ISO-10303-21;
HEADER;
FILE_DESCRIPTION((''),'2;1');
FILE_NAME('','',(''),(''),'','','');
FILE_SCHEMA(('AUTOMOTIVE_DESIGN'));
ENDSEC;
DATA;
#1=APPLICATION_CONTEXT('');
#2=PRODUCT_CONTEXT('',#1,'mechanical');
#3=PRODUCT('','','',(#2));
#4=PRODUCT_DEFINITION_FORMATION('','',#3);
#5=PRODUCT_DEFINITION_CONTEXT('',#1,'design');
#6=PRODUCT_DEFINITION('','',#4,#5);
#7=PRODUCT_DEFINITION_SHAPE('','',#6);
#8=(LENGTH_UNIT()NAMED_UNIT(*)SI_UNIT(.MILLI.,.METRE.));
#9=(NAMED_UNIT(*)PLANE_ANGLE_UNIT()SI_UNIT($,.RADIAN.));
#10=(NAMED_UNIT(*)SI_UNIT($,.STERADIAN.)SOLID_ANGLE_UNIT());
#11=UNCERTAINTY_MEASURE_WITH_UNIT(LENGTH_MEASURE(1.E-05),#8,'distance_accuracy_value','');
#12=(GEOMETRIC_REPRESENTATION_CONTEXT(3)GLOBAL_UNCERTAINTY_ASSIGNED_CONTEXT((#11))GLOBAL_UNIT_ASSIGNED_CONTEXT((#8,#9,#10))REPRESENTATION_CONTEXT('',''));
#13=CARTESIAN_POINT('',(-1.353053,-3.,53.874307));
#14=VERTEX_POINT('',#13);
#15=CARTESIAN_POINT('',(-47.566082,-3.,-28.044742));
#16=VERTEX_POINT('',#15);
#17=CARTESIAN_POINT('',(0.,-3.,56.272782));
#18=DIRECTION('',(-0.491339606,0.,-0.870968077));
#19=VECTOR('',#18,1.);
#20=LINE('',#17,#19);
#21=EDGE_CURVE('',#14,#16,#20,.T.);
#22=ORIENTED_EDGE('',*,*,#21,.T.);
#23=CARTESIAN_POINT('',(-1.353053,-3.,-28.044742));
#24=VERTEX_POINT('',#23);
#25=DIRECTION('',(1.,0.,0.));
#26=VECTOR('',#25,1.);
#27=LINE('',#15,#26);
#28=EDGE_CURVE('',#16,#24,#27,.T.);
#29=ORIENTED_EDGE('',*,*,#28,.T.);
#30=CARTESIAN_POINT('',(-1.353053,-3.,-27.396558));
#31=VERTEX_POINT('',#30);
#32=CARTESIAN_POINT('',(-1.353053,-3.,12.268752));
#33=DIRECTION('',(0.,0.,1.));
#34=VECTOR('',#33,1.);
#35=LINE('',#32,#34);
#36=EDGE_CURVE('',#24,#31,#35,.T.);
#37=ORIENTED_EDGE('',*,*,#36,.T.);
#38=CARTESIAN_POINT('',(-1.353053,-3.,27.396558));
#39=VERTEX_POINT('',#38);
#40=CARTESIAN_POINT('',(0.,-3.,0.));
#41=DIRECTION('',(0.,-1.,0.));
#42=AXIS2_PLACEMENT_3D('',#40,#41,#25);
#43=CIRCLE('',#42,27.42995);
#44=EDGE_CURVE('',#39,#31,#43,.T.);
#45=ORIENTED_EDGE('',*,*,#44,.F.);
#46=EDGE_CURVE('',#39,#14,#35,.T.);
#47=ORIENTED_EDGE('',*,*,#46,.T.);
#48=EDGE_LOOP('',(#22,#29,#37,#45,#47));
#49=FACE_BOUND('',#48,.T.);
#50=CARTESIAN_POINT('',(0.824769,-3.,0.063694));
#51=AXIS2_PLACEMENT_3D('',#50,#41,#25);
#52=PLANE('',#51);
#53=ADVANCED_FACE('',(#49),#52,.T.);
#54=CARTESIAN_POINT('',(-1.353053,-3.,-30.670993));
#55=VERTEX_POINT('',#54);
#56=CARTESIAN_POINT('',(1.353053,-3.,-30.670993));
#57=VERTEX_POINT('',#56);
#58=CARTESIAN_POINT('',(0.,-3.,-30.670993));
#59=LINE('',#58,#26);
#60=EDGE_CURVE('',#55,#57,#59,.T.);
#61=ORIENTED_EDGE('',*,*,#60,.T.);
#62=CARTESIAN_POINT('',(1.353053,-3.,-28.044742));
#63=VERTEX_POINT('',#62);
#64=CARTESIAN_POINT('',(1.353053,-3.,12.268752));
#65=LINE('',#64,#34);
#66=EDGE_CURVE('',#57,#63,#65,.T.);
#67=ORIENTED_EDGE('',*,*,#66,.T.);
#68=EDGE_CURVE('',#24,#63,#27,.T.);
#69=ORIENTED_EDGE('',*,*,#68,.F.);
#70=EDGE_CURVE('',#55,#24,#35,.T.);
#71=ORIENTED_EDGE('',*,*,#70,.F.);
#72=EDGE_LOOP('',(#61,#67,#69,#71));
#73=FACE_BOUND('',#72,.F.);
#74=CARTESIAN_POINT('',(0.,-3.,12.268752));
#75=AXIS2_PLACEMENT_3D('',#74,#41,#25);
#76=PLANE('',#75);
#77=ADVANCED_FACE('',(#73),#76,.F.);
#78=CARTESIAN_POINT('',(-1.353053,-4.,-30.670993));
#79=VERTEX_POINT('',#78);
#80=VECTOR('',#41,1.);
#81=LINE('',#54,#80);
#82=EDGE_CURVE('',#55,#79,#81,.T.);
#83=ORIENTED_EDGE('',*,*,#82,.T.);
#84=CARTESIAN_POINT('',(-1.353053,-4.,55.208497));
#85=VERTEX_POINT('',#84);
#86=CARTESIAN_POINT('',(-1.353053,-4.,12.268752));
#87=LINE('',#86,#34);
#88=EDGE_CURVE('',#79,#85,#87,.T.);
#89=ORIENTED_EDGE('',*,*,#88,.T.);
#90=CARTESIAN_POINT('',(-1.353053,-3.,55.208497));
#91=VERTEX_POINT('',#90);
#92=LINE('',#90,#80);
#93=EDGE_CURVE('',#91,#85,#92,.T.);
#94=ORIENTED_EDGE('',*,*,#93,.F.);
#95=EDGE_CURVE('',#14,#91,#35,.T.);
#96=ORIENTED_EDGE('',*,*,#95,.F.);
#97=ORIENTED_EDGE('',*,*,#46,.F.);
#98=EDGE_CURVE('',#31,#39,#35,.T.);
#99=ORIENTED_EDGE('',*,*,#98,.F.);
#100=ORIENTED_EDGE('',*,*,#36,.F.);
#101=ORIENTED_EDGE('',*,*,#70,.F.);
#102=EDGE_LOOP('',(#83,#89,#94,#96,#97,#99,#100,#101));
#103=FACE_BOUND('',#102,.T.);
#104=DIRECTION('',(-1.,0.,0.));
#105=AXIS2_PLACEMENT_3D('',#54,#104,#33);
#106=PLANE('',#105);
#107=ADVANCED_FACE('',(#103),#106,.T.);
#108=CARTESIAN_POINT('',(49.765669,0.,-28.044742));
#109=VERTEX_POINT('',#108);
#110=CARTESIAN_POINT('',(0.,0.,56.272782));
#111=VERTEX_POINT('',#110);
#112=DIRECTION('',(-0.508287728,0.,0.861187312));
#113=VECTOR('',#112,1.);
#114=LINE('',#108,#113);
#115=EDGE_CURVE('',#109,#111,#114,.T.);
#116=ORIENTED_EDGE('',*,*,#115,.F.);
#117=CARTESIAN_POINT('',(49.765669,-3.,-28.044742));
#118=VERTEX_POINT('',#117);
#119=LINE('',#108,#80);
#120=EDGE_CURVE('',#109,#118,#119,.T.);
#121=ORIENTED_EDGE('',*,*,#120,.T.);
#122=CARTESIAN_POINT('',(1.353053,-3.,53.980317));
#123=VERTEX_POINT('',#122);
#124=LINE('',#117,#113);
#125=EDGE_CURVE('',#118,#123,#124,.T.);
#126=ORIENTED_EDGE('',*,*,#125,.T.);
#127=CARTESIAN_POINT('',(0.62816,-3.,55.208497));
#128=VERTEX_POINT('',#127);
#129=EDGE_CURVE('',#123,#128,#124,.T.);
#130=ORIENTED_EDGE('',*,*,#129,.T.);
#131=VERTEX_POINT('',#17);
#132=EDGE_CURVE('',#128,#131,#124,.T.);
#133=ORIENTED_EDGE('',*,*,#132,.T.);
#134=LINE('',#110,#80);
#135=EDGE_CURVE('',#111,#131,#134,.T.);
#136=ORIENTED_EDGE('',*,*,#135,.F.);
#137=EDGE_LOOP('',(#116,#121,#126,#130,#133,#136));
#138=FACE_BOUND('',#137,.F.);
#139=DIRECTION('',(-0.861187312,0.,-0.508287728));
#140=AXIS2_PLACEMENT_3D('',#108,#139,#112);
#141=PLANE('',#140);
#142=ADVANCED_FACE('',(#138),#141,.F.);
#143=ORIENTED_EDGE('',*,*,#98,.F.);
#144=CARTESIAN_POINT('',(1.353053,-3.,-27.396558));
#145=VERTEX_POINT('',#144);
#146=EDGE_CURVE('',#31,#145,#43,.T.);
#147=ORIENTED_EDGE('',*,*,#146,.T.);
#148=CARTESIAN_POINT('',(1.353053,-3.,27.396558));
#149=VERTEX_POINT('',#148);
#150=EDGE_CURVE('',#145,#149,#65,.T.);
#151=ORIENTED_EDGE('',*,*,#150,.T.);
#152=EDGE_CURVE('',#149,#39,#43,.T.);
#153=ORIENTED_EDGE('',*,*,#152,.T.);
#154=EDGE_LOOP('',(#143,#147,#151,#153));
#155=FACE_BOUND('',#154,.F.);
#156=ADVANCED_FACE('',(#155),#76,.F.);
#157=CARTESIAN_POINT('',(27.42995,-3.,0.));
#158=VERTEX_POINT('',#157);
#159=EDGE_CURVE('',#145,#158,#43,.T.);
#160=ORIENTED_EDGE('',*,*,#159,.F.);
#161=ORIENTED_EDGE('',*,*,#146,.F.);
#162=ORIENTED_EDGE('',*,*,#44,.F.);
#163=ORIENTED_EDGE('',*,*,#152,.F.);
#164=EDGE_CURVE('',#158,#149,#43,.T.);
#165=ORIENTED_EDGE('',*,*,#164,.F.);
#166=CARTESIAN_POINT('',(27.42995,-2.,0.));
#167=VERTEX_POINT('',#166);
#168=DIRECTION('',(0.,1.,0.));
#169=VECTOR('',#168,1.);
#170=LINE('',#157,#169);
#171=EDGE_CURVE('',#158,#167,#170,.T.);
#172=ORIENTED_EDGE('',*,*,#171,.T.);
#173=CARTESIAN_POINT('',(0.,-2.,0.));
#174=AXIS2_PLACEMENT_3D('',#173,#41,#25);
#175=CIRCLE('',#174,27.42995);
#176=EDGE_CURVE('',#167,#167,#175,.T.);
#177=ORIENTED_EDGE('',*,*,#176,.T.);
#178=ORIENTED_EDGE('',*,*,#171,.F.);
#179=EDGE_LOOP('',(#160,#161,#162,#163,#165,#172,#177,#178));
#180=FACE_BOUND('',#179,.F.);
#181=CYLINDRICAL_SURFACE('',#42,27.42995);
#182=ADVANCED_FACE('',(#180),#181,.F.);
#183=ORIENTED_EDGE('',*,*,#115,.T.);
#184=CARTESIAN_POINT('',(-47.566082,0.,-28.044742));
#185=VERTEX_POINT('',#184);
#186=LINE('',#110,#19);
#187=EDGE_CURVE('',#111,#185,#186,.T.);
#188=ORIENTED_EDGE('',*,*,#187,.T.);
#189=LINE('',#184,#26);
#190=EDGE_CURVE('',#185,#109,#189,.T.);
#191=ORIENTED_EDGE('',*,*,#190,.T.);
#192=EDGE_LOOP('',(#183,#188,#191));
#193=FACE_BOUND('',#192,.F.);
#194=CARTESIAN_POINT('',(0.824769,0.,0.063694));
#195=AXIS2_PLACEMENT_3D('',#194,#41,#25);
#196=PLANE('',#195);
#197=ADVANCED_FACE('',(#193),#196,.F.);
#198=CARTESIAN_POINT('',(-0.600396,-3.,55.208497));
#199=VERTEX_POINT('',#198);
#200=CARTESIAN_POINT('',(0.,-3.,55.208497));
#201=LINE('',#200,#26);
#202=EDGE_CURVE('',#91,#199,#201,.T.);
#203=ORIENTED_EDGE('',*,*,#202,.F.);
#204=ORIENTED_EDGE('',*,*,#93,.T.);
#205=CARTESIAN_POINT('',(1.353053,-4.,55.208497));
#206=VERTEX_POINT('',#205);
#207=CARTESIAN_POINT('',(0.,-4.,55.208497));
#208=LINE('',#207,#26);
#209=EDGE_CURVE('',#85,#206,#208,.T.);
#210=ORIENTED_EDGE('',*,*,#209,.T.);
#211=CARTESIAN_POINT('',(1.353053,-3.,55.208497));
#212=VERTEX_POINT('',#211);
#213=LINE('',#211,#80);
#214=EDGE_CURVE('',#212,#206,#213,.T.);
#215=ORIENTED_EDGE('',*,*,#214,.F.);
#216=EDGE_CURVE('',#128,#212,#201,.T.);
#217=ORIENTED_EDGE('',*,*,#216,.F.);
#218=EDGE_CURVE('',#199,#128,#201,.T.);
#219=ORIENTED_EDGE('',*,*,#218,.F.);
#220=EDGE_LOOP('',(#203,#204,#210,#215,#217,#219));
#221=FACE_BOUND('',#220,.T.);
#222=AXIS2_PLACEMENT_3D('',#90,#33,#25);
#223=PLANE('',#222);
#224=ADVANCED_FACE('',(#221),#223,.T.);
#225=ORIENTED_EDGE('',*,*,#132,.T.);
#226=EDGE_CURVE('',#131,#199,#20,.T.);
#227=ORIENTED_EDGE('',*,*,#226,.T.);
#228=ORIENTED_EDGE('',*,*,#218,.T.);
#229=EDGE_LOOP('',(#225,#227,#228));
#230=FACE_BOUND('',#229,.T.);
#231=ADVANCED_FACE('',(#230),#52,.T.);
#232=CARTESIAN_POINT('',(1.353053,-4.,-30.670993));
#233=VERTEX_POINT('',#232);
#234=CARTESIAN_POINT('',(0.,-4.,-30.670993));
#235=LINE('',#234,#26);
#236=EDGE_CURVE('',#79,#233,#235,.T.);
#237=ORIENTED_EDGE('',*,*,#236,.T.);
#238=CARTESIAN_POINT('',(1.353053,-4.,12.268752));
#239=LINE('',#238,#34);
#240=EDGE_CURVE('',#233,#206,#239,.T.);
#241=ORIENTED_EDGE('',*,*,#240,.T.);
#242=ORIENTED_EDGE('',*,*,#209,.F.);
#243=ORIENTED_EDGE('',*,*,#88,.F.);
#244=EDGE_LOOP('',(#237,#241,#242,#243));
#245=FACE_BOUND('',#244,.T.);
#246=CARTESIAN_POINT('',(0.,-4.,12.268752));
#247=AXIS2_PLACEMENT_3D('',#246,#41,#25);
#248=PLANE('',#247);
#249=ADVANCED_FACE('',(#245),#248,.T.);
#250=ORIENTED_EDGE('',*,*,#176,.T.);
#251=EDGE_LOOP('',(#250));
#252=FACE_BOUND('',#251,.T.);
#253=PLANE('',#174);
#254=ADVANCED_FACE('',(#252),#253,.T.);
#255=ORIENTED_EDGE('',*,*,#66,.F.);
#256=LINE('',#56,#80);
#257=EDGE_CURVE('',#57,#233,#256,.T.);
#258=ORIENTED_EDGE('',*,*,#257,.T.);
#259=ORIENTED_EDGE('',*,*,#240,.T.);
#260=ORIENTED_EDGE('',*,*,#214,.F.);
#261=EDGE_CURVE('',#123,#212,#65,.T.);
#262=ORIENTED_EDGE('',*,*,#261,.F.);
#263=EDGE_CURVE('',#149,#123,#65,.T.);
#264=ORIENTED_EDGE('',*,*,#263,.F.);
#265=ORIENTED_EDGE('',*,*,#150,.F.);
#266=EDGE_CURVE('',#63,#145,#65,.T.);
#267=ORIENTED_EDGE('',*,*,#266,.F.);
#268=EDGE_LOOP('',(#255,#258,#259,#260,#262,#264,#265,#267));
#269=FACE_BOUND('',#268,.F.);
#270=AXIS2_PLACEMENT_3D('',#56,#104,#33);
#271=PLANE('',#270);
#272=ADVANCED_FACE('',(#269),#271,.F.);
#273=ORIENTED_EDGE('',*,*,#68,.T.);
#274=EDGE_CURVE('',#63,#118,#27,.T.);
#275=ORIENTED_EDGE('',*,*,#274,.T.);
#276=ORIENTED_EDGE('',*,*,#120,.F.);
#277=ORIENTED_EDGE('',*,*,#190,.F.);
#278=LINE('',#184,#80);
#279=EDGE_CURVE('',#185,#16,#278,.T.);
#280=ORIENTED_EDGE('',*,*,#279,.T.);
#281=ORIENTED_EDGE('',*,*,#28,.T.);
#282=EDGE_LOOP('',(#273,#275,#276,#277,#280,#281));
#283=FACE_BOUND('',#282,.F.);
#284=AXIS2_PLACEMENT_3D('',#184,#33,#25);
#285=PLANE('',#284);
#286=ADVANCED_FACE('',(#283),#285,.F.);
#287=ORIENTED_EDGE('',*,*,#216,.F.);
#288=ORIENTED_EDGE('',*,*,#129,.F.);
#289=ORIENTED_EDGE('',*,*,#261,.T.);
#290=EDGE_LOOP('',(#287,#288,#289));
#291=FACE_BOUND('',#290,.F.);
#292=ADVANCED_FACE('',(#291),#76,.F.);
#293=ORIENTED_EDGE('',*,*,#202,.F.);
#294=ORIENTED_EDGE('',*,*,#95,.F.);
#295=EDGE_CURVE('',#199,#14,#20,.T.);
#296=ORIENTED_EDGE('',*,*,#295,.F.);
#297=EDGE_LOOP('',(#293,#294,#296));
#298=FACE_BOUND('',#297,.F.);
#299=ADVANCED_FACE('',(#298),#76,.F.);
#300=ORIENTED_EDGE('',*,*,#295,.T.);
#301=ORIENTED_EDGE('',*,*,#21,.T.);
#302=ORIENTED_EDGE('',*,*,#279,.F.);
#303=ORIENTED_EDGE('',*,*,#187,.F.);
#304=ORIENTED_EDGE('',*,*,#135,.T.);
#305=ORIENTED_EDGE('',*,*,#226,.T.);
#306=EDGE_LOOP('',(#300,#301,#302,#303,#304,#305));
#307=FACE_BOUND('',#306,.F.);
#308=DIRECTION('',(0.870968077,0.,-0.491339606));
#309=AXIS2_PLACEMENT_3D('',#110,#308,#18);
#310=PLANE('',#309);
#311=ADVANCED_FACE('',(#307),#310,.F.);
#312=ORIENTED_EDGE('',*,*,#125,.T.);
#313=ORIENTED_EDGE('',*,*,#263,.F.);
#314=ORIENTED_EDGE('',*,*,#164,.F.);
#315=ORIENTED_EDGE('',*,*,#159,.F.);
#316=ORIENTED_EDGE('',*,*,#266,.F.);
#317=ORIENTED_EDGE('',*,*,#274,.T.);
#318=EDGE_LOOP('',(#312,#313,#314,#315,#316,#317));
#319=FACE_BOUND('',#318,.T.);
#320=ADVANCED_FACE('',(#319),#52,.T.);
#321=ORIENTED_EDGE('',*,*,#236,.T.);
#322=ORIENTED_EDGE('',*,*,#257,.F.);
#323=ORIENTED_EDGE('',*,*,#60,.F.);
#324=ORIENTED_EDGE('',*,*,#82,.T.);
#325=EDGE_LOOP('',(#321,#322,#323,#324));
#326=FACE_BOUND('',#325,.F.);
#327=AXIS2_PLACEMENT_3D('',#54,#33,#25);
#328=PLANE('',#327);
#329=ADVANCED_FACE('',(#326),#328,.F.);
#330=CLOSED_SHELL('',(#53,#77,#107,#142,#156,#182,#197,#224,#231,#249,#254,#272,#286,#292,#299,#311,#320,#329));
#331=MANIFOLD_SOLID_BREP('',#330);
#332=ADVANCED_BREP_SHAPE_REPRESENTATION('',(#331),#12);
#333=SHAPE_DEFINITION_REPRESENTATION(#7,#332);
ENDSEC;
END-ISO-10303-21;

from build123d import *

# Parameters (mm, degrees)
F1_DEPTH = 3
F2_R     = 27.42995
F3_DEPTH = 1
F5_W     = 2.706106
F5_H     = 85.87949
F6_DEPTH = 1


with BuildPart() as f1:
    # F0 (on Front) → F1 (new body)
    with BuildSketch(Plane.XZ):
        Polygon((0, 56.272782), (-47.566082, -28.044742), (49.765669, -28.044742), align=None)
    extrude(amount=F1_DEPTH)

    # F2 (on face) → F3 (cut)
    with BuildSketch(Plane.XZ.offset(3)):
        Circle(F2_R)
    extrude(amount=-F3_DEPTH, mode=Mode.SUBTRACT)

    # F5 (on face) → F6 (join)
    with BuildSketch(Plane.XZ.offset(3)):
        with Locations((0, 12.268752)):
            Rectangle(F5_W, F5_H)
    extrude(amount=F6_DEPTH)


solid = f1.part
